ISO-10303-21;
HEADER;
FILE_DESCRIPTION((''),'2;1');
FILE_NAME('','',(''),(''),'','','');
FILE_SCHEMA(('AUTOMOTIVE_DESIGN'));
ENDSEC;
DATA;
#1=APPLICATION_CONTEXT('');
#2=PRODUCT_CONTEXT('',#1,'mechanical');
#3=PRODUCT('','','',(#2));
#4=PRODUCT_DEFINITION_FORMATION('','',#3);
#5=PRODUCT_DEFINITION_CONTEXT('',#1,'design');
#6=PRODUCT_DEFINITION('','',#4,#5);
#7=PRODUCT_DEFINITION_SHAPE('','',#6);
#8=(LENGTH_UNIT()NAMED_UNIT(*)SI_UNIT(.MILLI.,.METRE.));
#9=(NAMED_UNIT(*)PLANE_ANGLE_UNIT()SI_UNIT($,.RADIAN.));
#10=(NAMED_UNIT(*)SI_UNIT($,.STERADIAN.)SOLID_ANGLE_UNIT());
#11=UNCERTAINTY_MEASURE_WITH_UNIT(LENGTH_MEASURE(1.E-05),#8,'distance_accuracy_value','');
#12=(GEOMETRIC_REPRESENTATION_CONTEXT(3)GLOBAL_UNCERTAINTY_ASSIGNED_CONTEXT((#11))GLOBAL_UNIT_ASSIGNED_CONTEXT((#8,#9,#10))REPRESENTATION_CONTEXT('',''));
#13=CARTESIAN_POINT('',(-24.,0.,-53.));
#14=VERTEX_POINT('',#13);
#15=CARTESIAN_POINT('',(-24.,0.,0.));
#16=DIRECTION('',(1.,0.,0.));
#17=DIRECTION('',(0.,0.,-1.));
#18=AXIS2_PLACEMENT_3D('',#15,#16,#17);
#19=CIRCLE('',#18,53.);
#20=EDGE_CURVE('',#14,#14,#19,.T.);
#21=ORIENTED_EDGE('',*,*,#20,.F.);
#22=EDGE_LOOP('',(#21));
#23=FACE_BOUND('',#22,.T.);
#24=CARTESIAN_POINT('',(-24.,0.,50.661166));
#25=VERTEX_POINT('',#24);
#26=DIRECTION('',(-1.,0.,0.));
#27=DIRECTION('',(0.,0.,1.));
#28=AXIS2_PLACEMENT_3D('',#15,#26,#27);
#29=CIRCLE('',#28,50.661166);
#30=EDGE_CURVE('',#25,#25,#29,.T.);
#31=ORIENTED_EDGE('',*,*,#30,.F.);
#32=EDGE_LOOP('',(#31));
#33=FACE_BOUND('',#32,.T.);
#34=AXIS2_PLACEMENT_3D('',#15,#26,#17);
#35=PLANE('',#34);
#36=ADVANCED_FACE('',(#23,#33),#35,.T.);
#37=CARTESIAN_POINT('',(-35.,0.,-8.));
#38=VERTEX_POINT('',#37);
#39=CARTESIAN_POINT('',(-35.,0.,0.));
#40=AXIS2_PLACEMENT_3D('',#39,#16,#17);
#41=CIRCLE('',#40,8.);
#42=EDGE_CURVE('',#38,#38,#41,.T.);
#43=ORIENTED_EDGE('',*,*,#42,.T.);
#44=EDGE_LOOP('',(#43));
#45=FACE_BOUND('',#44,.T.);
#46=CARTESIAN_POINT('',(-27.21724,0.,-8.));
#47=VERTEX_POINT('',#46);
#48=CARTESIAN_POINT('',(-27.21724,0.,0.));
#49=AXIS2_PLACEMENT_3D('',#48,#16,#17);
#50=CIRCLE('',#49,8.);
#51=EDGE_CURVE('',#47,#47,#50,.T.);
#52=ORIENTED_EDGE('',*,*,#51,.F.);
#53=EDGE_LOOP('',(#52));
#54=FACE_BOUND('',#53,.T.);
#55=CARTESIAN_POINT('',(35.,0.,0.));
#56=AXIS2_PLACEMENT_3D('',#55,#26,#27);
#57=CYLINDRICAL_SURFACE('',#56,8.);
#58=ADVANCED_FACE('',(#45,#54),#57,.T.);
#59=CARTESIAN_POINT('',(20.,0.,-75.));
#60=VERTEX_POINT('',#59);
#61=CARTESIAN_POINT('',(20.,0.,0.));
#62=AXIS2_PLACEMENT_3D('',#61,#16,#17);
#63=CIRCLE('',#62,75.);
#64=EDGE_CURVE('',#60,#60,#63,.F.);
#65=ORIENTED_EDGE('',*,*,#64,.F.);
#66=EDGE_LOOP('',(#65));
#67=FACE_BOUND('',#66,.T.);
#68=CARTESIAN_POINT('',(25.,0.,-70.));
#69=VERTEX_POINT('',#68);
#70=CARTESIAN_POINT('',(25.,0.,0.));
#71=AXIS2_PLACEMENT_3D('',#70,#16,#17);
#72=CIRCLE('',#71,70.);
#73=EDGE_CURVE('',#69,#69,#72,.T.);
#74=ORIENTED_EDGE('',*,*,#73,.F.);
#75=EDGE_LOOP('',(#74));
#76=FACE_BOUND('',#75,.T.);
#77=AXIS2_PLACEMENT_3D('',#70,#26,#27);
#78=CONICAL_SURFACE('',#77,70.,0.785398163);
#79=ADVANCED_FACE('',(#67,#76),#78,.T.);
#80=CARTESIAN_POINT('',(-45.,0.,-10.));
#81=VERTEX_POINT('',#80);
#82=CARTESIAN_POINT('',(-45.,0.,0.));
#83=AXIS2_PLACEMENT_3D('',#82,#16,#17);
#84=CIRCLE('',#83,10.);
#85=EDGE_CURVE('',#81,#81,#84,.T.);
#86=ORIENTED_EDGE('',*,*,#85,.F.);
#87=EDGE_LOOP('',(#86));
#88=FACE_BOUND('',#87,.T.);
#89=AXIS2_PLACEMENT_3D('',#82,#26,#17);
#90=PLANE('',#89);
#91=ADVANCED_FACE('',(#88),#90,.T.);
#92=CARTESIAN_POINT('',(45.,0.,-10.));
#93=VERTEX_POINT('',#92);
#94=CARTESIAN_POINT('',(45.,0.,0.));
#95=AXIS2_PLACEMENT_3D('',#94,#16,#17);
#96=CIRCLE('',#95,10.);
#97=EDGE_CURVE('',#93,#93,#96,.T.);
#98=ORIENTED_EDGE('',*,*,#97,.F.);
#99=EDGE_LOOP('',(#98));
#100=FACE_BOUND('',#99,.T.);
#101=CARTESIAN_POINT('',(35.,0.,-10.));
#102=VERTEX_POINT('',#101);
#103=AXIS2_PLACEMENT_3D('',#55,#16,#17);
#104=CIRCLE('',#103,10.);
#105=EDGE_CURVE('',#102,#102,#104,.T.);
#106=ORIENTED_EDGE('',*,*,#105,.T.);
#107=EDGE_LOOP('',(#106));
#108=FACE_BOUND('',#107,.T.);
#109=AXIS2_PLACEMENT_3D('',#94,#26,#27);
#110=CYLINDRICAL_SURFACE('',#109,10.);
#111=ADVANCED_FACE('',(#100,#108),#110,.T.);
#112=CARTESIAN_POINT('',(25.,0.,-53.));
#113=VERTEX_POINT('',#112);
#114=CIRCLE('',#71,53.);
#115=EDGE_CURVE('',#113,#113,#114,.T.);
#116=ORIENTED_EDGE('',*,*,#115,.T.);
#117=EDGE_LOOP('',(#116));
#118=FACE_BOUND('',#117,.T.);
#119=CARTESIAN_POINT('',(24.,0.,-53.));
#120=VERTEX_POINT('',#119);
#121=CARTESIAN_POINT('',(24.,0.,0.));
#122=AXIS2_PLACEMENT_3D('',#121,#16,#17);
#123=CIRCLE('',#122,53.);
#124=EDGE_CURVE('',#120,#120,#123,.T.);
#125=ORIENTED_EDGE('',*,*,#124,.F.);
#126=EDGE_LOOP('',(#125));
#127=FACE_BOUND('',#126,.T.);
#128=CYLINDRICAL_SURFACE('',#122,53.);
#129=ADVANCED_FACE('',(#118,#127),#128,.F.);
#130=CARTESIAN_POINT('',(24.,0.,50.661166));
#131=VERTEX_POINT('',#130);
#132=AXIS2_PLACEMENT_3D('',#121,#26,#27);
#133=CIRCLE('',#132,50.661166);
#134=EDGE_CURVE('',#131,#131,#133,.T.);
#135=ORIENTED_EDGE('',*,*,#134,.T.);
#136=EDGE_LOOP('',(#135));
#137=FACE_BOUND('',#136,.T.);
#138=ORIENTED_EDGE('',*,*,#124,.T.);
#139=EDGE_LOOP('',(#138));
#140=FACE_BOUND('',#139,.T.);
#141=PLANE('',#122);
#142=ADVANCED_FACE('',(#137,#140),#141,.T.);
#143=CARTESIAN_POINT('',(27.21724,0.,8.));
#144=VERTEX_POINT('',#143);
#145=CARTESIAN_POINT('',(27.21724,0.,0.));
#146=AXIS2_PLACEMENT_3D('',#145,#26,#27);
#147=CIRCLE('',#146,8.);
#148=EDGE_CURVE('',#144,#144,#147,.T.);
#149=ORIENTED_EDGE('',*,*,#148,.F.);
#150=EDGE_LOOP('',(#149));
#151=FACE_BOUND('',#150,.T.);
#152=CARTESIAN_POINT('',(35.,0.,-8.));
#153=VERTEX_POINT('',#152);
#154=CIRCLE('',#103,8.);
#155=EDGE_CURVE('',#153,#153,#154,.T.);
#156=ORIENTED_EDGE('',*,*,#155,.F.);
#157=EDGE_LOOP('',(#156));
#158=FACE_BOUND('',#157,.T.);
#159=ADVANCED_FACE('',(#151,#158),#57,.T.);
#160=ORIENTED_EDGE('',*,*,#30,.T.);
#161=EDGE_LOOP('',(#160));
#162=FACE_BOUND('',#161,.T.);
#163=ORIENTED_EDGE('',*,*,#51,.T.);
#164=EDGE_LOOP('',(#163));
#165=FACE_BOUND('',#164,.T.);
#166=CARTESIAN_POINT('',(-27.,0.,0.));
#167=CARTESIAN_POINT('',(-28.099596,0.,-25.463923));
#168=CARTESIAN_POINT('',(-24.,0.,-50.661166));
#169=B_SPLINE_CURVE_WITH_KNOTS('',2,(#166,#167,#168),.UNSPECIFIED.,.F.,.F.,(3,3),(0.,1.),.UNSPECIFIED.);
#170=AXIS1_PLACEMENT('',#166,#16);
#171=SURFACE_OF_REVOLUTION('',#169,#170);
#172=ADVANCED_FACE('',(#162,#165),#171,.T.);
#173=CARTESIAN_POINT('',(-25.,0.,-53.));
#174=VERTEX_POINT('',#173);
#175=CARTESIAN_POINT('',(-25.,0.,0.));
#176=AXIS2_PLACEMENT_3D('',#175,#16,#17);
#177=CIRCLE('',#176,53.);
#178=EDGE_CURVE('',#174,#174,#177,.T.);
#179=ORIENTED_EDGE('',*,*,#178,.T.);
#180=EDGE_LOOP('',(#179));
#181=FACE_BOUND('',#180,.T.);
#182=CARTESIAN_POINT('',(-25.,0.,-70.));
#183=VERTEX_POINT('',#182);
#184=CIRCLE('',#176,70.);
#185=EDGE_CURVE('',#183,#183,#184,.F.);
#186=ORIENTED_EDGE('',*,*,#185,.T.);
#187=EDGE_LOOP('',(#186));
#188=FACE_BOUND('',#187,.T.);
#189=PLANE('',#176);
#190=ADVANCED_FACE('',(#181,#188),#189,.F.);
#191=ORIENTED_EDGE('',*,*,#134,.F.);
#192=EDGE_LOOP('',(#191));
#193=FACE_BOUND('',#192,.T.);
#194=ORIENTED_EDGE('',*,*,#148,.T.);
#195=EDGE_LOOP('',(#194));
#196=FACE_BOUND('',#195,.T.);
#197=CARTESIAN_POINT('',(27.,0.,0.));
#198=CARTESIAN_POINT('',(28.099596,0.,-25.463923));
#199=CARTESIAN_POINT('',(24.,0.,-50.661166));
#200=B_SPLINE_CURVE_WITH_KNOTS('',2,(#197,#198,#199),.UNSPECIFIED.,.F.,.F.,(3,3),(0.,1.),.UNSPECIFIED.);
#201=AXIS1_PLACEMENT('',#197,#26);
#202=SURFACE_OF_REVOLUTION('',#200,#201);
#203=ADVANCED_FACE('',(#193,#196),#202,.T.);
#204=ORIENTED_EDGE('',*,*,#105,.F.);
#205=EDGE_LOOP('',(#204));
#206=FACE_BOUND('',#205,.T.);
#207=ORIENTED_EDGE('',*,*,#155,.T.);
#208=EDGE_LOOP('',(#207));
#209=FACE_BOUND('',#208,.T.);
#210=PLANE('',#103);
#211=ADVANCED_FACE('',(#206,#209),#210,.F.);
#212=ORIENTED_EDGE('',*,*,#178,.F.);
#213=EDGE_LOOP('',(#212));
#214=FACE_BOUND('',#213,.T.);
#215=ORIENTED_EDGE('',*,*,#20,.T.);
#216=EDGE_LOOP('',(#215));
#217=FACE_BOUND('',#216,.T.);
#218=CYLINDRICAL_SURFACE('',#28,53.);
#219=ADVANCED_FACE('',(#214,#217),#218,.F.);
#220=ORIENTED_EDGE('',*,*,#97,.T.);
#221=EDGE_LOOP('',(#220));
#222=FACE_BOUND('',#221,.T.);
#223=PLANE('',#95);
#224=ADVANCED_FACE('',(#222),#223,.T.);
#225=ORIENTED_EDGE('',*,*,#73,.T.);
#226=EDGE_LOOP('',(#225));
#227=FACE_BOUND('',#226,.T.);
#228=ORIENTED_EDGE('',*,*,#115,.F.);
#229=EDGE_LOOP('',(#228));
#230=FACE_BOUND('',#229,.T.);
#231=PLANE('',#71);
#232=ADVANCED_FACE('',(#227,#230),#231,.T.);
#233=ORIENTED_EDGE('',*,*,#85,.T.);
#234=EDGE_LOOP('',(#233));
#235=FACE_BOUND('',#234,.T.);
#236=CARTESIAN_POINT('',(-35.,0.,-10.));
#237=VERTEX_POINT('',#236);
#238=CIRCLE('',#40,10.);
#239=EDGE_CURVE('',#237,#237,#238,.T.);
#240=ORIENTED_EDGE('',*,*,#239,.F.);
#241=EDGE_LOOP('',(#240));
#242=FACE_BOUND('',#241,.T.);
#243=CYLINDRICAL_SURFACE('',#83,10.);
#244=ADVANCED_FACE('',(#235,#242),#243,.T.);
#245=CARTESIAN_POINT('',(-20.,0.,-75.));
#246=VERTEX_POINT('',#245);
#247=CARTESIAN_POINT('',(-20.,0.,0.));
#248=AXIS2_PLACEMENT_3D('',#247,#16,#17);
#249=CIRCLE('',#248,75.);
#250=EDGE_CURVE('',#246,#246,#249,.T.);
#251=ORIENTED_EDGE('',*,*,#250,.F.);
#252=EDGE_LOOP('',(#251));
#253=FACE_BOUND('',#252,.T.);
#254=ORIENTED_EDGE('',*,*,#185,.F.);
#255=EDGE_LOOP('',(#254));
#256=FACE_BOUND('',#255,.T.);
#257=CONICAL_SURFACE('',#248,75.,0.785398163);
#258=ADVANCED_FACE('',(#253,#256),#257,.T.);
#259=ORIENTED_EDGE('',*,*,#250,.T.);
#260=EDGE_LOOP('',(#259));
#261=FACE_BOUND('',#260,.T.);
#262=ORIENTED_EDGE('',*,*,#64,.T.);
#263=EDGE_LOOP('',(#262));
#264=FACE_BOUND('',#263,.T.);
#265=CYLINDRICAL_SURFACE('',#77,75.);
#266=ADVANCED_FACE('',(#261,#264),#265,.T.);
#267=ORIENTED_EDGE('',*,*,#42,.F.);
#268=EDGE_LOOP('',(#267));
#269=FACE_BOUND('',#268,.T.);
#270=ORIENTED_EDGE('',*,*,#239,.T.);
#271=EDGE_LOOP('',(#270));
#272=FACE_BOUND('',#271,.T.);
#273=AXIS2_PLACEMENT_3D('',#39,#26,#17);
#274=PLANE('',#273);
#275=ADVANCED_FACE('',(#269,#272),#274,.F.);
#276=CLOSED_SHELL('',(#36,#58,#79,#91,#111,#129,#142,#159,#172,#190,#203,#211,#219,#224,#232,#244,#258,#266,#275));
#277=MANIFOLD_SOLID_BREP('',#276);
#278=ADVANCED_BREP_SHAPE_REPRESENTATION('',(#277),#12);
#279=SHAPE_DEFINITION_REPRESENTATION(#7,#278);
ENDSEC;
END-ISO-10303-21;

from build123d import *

# Parameters (mm, degrees)
SKETCH1_R           = 75
BOSS_EXTRUDE1_DEPTH = 25
SKETCH2_R           = 8
BOSS_EXTRUDE2_DEPTH = 35
SKETCH3_R           = 10
BOSS_EXTRUDE3_DEPTH = 10
CHAMFER1_SIZE       = 5
SKETCH4_R           = 53
SKETCH4_R_2         = 8
CUT_EXTRUDE1_DEPTH  = 1


with BuildPart() as part:
    # Sketch1 → Boss-Extrude1 (new body, symmetric)
    with BuildSketch(Plane(origin=(0, 0, 0), x_dir=(0, 0, -1), z_dir=(1, 0, 0))):
        Circle(SKETCH1_R)
    extrude(amount=BOSS_EXTRUDE1_DEPTH, both=True)

    # Sketch2 → Boss-Extrude2 (add, symmetric)
    with BuildSketch(Plane(origin=(0, 0, 0), x_dir=(0, 0, -1), z_dir=(1, 0, 0))):
        Circle(SKETCH2_R)
    extrude(amount=BOSS_EXTRUDE2_DEPTH, both=True)

    # Sketch3 → Boss-Extrude3 (add)
    with BuildSketch(Plane(origin=(35, 0, 0), x_dir=(0, 0, -1), z_dir=(1, 0, 0))):
        Circle(SKETCH3_R)
    boss_extrude3 = extrude(amount=BOSS_EXTRUDE3_DEPTH)

    # Mirror1: Boss-Extrude3 across plane
    add(boss_extrude3.mirror(Plane(origin=(0, 0, 0), x_dir=(0, 0, 1), z_dir=(1, 0, 0))))

    # Chamfer1
    chamfer1_edges = [part.edges().sort_by_distance(p)[0] for p in [
        (-25, 0, 75),
        (25, 0, 75),
    ]]
    chamfer(chamfer1_edges, length=CHAMFER1_SIZE)

    # Sketch4 → Cut-Extrude1 (cut)
    with BuildSketch(Plane(origin=(25, 0, 0), x_dir=(0, 0, -1), z_dir=(1, 0, 0))):
        Circle(SKETCH4_R)
        Circle(SKETCH4_R_2, mode=Mode.SUBTRACT)
    cut_extrude1 = extrude(amount=-CUT_EXTRUDE1_DEPTH, mode=Mode.SUBTRACT)

    # Mirror2: Cut-Extrude1 across plane
    add(cut_extrude1.mirror(Plane(origin=(0, 0, 0), x_dir=(0, 0, 1), z_dir=(1, 0, 0))), mode=Mode.SUBTRACT)

    # Sketch5 → Revolve1 (revolve)
    with BuildSketch(Plane(origin=(0, 0, 0), x_dir=(1, 0, 0), z_dir=(0, 1, 0))):
        with BuildLine():
            Line((24, 0), (24, 50.661166178))
            add(Edge.make_bspline(
                [(27, 0), (28.099596194, 25.463923128), (24, 50.661166178)],
                knots=[0, 0, 0, 1, 1, 1], degree=2))
            Line((27, 0), (24, 0))
        make_face()
    revolve1 = revolve(axis=Axis((27, 0, 0), (1, 0, 0)))

    # Mirror3: Revolve1 across plane
    add(revolve1.mirror(Plane(origin=(0, 0, 0), x_dir=(0, 0, 1), z_dir=(1, 0, 0))))


solid = part.part
